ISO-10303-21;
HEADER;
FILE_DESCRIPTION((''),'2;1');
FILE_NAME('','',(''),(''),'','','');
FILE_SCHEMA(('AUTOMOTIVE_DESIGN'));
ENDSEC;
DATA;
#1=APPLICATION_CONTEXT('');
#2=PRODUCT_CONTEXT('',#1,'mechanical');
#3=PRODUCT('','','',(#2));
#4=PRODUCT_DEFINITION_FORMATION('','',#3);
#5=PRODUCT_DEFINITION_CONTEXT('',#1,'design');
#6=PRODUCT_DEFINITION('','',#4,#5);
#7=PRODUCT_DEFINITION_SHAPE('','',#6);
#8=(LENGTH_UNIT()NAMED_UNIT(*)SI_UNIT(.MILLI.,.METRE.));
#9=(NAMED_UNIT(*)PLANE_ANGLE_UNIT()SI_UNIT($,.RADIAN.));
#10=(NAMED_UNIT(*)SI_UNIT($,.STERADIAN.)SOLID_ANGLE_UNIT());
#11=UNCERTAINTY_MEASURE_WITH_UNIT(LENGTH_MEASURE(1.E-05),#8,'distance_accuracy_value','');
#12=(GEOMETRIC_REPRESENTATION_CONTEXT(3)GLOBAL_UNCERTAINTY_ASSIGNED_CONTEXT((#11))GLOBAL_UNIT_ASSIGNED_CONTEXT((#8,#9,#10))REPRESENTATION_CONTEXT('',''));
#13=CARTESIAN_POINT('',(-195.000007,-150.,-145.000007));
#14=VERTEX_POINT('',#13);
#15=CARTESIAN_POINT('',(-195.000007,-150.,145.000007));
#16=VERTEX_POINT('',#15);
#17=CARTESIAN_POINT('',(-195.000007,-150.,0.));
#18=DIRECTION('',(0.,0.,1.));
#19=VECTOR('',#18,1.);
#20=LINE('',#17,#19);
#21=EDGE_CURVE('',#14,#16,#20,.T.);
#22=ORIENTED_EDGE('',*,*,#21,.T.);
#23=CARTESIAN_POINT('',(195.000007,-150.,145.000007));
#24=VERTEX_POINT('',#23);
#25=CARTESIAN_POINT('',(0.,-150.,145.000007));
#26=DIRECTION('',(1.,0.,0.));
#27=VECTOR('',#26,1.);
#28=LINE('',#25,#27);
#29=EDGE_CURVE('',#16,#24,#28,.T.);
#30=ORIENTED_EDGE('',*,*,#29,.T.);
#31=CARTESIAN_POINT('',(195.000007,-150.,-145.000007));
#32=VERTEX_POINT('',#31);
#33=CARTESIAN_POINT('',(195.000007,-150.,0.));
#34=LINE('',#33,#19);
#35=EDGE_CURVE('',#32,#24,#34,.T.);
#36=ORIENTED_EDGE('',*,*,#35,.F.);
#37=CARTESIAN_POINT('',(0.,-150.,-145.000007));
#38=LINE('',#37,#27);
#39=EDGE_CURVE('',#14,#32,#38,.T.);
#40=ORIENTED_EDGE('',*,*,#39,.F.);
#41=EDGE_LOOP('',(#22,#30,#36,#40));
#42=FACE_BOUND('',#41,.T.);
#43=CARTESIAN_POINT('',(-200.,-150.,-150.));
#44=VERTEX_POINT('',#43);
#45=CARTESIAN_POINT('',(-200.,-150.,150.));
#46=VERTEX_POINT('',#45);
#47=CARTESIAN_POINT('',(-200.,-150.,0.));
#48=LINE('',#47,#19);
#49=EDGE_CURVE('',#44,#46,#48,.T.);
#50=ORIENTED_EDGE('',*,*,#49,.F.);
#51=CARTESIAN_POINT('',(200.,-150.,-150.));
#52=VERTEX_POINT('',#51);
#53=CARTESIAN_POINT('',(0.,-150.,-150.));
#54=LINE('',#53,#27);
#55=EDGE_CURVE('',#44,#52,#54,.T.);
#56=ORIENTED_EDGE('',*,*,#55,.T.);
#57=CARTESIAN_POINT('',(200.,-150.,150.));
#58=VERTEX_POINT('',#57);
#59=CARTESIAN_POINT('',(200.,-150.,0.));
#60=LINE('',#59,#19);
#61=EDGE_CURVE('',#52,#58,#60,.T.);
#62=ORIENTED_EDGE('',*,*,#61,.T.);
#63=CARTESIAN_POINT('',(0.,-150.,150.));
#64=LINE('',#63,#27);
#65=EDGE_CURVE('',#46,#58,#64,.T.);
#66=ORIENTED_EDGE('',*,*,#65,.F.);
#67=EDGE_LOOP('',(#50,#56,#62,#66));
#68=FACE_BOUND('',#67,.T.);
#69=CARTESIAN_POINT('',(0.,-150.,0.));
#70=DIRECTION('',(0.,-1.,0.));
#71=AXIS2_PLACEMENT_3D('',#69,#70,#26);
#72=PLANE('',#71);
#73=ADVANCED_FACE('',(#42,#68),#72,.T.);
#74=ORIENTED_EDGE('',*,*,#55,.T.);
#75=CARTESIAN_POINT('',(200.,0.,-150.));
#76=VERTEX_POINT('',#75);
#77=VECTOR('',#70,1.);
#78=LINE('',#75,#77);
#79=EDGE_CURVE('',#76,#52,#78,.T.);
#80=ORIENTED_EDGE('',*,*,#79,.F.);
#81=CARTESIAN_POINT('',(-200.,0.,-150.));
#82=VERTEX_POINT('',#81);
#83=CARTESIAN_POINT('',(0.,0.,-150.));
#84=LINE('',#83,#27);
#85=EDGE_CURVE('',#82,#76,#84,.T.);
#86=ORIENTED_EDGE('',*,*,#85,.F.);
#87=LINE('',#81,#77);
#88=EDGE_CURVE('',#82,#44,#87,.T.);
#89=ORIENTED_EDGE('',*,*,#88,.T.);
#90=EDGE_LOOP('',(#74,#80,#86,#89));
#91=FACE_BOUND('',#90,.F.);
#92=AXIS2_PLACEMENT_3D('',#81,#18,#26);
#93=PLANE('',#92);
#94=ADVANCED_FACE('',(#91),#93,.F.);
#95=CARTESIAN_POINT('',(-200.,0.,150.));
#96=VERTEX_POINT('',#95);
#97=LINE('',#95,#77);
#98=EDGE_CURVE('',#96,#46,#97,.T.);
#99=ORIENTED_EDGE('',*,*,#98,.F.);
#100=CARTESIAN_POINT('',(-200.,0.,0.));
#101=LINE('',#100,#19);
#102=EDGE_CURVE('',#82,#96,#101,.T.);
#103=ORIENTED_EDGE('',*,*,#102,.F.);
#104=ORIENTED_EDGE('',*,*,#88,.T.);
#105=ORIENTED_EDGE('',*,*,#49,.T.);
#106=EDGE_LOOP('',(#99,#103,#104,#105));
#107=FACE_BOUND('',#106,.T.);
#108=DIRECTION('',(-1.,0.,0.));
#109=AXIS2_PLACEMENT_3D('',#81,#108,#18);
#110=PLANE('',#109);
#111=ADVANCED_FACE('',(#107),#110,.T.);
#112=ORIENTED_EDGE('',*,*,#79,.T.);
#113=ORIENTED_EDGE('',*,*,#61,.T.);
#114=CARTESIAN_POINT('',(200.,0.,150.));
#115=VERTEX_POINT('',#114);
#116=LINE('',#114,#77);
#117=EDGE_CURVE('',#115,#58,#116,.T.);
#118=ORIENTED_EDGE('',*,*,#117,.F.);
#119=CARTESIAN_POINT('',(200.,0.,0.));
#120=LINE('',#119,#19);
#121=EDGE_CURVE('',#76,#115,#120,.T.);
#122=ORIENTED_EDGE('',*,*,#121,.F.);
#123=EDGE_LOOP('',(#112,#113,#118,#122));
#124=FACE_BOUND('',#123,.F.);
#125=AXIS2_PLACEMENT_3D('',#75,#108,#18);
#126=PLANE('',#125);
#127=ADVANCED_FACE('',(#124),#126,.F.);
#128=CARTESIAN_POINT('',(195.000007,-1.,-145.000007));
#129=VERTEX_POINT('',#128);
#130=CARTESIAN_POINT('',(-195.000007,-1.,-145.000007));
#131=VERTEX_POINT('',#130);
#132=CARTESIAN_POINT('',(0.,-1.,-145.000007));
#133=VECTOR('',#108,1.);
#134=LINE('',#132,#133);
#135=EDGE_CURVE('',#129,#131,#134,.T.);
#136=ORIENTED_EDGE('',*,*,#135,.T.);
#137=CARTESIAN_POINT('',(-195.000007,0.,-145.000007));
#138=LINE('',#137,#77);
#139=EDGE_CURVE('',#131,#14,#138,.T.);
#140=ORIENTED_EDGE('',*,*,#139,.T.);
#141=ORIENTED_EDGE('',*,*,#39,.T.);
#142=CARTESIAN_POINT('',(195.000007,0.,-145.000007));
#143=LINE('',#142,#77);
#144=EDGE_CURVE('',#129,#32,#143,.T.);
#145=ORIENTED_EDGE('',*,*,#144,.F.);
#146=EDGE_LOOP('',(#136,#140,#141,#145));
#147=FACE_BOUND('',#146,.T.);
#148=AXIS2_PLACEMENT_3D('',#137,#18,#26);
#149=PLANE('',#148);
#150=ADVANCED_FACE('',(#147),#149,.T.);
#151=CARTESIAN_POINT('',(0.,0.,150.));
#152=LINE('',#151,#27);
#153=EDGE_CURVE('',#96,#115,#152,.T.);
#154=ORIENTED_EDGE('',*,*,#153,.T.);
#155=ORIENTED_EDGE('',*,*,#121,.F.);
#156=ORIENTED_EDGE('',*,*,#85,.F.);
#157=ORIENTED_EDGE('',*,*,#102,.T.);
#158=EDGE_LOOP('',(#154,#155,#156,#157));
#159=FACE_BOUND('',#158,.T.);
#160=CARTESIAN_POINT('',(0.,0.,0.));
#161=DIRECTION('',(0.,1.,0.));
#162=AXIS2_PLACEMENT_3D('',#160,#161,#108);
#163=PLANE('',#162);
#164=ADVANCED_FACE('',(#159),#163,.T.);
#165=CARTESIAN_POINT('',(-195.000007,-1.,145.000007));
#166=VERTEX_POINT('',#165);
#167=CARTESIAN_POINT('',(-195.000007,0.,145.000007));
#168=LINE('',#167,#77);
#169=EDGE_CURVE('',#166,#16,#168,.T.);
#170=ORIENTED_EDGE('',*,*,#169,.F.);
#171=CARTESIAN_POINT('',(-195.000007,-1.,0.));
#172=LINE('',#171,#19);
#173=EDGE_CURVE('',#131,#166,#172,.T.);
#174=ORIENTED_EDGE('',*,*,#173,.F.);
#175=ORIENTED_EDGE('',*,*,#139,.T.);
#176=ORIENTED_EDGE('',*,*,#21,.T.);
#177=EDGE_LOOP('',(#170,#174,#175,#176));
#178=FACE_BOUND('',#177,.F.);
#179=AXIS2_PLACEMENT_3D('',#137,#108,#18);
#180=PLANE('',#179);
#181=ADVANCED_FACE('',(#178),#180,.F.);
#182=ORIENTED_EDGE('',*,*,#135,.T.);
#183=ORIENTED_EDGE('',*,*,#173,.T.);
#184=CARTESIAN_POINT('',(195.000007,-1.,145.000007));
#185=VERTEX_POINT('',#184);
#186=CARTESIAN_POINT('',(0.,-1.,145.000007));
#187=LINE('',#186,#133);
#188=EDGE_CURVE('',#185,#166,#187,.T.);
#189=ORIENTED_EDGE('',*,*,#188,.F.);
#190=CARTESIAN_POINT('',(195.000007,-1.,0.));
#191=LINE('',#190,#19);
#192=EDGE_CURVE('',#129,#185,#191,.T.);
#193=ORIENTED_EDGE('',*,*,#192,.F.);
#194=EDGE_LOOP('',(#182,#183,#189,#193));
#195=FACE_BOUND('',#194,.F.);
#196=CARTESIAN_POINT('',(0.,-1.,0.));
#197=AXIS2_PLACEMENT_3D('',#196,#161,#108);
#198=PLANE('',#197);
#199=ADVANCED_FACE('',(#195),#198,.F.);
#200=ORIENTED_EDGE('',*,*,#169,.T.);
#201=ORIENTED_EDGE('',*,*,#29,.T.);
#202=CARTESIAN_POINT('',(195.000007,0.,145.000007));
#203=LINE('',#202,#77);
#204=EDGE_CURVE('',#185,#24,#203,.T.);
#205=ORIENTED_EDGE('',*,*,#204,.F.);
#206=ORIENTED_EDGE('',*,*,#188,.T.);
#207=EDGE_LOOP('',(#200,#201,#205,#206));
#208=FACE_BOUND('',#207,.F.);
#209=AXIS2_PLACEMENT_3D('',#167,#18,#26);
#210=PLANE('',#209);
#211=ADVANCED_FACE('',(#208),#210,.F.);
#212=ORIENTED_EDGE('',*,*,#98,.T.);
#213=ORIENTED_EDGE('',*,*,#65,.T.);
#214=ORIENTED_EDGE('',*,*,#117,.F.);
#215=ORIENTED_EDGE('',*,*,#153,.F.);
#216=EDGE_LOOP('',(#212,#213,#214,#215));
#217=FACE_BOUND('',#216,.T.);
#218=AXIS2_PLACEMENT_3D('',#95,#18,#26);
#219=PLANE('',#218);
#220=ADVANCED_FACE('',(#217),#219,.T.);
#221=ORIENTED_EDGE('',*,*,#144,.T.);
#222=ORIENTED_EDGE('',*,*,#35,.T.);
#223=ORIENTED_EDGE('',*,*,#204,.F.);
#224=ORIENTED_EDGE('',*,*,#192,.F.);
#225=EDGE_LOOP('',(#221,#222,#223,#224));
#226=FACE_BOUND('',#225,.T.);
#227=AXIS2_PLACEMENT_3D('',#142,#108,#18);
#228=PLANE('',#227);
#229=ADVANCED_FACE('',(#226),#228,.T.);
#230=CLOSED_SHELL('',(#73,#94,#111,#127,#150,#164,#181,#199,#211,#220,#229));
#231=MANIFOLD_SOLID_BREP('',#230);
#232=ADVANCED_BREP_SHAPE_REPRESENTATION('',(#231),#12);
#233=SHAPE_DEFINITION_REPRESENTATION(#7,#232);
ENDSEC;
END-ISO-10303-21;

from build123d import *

# Parameters (mm, degrees)
F0_W     = 400
F0_H     = 300
F0_W_2   = 390.000014
F0_H_2   = 290.000014
F1_DEPTH = 150
F2_W     = 390.000014
F2_H     = 290.000014
F3_DEPTH = 1


with BuildPart() as f1:
    # F0 (on Front) → F1 (new body)
    with BuildSketch(Plane.XZ):
        Rectangle(F0_W, F0_H)
        Rectangle(F0_W_2, F0_H_2, mode=Mode.SUBTRACT)
    extrude(amount=F1_DEPTH)

    # F2 (on face) → F3 (join)
    with BuildSketch(Plane(origin=(0, 0, 0), x_dir=(-1, 0, 0), z_dir=(0, 1, 0))):
        Rectangle(F2_W, F2_H)
    extrude(amount=-F3_DEPTH)


solid = f1.part
